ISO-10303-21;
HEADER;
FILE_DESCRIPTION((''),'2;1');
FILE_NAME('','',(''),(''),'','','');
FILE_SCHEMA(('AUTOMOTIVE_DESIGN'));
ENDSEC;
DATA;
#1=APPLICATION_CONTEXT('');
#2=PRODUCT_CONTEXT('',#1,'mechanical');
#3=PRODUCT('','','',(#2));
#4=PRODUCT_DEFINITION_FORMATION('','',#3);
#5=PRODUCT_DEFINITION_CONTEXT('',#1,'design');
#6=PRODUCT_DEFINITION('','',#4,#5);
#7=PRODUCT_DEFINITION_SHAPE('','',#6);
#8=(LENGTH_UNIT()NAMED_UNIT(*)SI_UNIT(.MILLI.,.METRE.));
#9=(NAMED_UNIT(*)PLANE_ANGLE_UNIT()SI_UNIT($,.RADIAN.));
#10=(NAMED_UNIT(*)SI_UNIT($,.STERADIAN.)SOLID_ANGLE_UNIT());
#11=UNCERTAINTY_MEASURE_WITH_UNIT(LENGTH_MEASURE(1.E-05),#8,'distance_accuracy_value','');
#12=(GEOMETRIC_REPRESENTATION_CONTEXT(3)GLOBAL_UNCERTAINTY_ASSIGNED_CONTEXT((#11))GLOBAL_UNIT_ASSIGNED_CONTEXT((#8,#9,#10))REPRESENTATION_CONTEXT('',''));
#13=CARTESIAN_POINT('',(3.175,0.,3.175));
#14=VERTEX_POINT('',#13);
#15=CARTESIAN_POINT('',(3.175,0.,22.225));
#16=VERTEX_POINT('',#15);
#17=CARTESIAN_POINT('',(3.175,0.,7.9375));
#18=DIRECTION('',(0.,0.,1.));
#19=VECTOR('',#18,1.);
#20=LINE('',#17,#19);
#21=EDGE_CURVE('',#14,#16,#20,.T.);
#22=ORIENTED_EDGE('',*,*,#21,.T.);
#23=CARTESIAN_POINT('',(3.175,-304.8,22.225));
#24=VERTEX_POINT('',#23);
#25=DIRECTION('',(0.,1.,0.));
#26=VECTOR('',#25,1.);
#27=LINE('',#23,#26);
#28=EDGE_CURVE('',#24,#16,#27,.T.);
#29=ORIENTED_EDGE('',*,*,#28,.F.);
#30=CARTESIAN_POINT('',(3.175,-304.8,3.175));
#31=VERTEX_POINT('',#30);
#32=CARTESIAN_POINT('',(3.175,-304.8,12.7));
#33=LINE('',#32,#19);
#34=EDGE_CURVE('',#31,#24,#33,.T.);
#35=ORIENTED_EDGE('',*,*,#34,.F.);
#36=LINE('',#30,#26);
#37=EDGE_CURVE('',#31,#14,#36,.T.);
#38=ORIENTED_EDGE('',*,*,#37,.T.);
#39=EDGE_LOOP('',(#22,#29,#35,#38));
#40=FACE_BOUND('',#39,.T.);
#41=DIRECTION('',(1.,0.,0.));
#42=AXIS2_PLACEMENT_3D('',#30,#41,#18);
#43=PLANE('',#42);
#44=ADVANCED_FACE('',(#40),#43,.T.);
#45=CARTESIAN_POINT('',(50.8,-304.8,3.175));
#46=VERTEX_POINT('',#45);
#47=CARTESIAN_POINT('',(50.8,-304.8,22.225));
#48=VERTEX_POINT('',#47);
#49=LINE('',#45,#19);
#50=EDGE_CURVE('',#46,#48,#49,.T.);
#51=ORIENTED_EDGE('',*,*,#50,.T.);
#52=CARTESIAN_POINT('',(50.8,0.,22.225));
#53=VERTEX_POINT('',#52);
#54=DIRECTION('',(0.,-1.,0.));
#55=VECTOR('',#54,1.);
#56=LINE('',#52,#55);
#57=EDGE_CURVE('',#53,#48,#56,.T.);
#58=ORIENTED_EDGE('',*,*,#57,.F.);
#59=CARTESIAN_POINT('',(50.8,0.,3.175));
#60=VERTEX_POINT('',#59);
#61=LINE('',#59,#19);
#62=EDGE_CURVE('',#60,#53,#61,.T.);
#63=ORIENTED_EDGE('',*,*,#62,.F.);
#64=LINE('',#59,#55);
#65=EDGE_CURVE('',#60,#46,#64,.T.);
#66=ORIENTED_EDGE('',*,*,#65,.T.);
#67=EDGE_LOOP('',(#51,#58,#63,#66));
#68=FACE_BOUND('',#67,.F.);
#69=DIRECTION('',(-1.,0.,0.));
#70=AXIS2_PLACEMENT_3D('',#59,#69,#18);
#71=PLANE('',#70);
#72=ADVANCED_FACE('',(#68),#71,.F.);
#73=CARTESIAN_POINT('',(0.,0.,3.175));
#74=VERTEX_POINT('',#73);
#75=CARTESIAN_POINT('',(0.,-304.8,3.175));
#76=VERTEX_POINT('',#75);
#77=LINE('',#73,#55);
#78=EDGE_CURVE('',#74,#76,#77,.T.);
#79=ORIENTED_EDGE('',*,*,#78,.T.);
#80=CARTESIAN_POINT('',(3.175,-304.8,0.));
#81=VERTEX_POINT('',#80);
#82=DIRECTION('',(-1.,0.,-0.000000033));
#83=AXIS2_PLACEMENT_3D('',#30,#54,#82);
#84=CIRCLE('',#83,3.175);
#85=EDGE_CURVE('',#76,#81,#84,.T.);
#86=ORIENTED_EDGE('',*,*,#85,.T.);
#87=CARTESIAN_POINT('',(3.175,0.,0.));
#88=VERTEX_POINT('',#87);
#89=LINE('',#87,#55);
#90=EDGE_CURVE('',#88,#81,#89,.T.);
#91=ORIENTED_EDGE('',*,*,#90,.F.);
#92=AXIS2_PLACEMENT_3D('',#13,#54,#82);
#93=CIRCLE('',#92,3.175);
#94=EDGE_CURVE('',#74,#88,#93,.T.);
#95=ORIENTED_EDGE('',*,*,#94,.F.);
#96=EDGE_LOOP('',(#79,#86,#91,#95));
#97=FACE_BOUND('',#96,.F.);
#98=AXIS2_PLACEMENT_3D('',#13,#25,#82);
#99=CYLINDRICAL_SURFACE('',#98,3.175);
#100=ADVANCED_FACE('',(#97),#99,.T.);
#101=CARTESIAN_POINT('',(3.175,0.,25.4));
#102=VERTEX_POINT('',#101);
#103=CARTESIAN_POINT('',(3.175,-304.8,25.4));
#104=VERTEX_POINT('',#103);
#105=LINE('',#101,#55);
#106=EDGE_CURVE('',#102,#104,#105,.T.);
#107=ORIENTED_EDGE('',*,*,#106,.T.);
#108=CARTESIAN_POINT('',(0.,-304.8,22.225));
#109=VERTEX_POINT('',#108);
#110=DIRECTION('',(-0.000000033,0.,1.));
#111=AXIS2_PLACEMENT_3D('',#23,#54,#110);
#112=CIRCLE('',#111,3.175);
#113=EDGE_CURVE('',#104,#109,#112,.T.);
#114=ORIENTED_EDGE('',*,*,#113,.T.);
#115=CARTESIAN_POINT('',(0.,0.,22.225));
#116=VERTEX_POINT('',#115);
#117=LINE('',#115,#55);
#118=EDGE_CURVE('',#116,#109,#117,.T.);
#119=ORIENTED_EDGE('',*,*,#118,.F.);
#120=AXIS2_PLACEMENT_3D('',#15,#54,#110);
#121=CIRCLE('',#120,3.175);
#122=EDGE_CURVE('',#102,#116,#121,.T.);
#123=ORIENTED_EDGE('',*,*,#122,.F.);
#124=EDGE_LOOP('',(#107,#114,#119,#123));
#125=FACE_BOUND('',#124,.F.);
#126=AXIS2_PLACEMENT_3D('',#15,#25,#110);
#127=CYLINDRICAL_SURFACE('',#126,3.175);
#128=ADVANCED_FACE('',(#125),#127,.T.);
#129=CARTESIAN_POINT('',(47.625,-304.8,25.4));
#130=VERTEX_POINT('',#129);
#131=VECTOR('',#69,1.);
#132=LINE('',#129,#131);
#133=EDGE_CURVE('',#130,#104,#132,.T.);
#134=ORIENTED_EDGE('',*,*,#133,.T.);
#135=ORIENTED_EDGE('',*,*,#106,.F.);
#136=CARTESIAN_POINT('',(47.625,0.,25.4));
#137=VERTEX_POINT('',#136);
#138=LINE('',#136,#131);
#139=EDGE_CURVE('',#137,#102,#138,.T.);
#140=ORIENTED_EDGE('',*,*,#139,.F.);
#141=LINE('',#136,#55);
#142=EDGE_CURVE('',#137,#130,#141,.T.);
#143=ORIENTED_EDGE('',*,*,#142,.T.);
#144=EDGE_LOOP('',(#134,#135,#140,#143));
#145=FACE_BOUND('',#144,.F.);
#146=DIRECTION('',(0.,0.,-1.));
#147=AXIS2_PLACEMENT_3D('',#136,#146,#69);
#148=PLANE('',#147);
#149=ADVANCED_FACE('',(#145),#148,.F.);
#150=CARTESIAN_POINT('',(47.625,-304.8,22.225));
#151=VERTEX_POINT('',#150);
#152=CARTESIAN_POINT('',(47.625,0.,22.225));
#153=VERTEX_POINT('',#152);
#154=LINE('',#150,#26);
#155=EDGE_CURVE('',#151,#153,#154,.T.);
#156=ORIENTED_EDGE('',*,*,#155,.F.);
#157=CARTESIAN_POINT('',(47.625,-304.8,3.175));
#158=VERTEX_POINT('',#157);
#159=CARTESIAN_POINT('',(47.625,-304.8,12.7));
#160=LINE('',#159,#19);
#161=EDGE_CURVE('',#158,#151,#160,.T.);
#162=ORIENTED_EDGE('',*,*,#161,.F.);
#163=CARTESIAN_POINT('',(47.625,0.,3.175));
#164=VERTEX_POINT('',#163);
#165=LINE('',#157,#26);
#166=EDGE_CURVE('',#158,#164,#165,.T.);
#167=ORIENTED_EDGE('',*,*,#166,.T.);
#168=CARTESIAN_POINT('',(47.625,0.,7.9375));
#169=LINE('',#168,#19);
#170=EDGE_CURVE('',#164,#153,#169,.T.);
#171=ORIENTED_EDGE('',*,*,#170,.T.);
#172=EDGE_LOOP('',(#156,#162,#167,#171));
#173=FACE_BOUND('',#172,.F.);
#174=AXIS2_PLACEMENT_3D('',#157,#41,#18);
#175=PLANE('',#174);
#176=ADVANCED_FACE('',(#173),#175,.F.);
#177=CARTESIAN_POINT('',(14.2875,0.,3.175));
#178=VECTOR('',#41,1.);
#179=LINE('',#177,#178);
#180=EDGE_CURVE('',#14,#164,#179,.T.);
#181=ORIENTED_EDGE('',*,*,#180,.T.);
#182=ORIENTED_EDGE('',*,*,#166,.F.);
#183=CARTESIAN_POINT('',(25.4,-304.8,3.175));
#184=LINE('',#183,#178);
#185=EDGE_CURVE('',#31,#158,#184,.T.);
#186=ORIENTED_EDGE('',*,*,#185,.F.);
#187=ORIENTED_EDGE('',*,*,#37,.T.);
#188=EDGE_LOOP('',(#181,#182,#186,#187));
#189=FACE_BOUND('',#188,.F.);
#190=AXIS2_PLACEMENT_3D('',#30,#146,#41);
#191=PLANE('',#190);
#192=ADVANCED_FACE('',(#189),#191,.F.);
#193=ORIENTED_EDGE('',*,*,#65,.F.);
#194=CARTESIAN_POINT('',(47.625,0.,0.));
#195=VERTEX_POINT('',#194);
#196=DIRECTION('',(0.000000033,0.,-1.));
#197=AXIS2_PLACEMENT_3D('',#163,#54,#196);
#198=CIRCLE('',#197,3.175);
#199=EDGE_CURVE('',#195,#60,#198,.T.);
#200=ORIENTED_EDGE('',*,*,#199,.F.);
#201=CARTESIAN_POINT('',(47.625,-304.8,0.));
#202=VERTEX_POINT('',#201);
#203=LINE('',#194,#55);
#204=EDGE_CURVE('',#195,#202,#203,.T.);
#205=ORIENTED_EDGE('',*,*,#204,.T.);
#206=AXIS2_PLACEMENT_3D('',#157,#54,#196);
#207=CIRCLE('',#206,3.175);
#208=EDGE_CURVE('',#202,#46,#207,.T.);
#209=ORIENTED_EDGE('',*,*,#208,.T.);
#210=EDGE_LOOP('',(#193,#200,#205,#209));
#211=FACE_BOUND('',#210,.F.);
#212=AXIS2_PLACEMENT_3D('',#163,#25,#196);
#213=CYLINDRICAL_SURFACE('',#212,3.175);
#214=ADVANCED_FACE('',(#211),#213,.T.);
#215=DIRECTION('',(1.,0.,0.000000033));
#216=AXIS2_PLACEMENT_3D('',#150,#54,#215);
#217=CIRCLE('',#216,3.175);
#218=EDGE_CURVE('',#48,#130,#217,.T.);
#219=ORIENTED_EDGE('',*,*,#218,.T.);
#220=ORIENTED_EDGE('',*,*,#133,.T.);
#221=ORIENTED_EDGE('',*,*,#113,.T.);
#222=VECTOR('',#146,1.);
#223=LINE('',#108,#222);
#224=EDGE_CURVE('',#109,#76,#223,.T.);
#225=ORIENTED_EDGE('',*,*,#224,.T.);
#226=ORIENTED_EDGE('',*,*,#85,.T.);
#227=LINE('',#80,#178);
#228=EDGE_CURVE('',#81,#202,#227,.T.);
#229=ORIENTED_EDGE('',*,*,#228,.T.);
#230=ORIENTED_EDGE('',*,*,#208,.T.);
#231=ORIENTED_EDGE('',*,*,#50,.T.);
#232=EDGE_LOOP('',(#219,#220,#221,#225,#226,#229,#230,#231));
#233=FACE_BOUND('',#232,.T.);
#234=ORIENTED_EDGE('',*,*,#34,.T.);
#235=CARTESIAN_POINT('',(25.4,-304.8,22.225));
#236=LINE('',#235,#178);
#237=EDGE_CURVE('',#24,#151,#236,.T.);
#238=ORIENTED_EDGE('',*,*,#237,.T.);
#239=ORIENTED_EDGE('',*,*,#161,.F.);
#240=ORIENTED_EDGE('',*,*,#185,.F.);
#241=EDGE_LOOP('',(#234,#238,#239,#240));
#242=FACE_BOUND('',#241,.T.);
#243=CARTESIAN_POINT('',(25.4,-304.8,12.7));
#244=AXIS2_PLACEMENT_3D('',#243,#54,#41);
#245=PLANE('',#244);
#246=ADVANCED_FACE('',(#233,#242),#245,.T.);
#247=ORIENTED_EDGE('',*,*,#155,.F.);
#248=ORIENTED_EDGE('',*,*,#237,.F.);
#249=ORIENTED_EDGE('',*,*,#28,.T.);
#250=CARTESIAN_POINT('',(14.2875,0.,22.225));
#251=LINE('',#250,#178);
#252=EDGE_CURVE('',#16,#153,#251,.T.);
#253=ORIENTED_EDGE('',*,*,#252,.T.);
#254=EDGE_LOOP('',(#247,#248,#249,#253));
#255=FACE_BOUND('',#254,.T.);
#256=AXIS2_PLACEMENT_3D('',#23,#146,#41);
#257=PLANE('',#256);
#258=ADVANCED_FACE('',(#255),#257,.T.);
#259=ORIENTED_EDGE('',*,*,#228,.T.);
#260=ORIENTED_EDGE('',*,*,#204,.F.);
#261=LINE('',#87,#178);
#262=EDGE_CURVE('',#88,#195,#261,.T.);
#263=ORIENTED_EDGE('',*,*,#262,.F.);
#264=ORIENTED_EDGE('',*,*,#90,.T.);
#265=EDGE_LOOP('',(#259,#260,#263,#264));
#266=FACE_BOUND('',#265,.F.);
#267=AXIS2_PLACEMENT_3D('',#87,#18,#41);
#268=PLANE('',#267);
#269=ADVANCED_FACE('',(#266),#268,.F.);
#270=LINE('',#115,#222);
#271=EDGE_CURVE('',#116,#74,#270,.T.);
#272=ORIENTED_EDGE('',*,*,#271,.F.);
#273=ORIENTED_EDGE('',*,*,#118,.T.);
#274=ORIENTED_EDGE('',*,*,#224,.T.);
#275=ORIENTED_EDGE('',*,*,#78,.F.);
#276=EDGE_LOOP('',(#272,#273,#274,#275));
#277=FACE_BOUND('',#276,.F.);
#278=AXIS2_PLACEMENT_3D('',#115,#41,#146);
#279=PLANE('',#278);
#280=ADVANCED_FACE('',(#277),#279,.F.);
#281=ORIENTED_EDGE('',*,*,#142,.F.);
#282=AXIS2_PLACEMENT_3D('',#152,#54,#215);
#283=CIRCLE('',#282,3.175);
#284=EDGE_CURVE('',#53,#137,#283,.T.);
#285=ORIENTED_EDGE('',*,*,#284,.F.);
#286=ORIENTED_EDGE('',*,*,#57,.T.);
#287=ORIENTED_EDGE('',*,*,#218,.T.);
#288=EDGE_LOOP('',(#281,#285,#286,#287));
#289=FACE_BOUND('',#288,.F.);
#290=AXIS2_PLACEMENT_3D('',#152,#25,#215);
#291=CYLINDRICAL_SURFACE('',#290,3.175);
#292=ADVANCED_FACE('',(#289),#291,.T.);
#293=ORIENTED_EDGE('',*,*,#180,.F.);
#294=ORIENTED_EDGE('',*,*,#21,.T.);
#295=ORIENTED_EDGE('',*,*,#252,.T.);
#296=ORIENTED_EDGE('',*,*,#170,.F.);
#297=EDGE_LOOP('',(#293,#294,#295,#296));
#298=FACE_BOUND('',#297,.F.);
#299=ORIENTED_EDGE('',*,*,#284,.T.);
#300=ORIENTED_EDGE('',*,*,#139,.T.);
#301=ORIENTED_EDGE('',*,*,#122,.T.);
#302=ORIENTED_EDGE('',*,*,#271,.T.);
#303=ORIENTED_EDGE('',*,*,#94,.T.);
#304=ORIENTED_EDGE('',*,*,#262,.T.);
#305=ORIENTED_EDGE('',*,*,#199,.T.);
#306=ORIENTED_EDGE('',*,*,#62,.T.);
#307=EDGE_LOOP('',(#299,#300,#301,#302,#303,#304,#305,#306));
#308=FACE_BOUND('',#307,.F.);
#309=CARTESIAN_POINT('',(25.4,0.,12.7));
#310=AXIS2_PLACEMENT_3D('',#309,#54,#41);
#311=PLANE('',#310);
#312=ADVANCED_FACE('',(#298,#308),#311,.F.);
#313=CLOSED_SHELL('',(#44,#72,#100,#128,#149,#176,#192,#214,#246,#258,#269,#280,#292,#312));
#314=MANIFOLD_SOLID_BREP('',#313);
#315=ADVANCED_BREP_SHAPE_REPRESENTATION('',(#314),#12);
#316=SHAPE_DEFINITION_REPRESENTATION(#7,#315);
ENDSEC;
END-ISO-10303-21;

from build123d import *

# Parameters (mm, degrees)
F1_DEPTH = 304.8
F2_W     = 44.45
F2_H     = 19.05
F3_DEPTH = 304.801


with BuildPart() as f1:
    # F0 (on Front) → F1 (new body)
    with BuildSketch(Plane.XZ):
        with BuildLine():
            ThreePointArc((0, 3.175), (0.929936, 0.929936), (3.175, 0))
            Line((3.175, 0), (47.625, 0))
            ThreePointArc((47.625, 0), (49.870064, 0.929936), (50.8, 3.175))
            Line((50.8, 3.175), (50.8, 22.225))
            ThreePointArc((50.8, 22.225), (49.870064, 24.470064), (47.625, 25.4))
            Line((47.625, 25.4), (3.175, 25.4))
            ThreePointArc((3.175, 25.4), (0.929936, 24.470064), (0, 22.225))
            Line((0, 22.225), (0, 3.175))
        make_face()
    extrude(amount=F1_DEPTH)

    # F2 (on face) → F3 (cut, through all)
    with BuildSketch(Plane.XZ.offset(304.8)):
        with Locations((25.4, 12.7)):
            Rectangle(F2_W, F2_H)
    extrude(amount=-F3_DEPTH, mode=Mode.SUBTRACT)


solid = f1.part
